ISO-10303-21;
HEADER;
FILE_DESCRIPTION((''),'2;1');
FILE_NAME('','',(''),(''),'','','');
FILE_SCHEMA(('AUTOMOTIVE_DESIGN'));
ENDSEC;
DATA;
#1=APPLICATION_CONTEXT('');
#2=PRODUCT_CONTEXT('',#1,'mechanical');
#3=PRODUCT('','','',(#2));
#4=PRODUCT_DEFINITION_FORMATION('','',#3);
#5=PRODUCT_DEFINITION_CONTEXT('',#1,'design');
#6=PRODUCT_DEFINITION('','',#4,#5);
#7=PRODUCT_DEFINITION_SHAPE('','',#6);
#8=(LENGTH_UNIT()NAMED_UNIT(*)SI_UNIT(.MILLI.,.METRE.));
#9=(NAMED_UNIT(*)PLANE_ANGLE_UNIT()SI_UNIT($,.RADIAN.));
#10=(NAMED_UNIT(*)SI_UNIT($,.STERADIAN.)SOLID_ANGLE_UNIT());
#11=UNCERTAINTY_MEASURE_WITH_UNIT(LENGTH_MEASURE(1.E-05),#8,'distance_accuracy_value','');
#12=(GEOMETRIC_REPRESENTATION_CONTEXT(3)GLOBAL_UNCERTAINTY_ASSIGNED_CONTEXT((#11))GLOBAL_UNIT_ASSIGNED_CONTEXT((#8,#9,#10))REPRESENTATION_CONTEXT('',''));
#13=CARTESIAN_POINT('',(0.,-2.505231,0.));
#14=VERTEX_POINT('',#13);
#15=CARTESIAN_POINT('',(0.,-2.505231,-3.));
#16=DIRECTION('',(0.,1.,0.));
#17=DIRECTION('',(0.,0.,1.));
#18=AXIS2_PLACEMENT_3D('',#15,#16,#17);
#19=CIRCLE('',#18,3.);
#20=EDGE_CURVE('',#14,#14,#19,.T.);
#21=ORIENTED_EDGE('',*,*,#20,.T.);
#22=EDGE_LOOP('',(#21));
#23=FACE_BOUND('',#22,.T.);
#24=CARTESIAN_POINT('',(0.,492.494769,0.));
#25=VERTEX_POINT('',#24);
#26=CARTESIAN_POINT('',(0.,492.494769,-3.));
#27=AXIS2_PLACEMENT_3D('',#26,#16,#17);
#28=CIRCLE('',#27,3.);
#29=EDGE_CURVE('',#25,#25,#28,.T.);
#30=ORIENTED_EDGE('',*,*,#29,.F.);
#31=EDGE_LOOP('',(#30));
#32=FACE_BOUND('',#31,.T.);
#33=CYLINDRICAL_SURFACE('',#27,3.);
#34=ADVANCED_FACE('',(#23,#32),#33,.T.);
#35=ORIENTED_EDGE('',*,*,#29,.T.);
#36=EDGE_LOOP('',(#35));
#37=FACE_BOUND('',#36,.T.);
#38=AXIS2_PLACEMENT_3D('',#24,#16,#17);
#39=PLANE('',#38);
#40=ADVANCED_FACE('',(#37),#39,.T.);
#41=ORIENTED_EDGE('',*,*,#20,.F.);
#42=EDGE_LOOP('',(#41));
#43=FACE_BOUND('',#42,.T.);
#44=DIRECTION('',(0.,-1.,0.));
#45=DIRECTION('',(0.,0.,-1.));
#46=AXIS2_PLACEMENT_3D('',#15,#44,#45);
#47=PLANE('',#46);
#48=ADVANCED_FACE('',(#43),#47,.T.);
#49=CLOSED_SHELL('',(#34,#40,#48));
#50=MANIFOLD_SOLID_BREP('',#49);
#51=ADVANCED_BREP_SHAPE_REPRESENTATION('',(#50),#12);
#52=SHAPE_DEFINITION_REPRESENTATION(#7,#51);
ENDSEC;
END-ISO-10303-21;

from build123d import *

# Parameters (mm, degrees)
SKETCH1_W = 3
SKETCH1_H = 495


with BuildPart() as part:
    # Sketch1 → Revolve1 (revolve)
    with BuildSketch(Plane(origin=(0, 0, 0), x_dir=(0, 0, -1), z_dir=(1, 0, 0))):
        with Locations((1.5, 244.994769148)):
            Rectangle(SKETCH1_W, SKETCH1_H)
    revolve(axis=Axis((0, 492.494769148, -3), (0, -1, 0)))


solid = part.part
